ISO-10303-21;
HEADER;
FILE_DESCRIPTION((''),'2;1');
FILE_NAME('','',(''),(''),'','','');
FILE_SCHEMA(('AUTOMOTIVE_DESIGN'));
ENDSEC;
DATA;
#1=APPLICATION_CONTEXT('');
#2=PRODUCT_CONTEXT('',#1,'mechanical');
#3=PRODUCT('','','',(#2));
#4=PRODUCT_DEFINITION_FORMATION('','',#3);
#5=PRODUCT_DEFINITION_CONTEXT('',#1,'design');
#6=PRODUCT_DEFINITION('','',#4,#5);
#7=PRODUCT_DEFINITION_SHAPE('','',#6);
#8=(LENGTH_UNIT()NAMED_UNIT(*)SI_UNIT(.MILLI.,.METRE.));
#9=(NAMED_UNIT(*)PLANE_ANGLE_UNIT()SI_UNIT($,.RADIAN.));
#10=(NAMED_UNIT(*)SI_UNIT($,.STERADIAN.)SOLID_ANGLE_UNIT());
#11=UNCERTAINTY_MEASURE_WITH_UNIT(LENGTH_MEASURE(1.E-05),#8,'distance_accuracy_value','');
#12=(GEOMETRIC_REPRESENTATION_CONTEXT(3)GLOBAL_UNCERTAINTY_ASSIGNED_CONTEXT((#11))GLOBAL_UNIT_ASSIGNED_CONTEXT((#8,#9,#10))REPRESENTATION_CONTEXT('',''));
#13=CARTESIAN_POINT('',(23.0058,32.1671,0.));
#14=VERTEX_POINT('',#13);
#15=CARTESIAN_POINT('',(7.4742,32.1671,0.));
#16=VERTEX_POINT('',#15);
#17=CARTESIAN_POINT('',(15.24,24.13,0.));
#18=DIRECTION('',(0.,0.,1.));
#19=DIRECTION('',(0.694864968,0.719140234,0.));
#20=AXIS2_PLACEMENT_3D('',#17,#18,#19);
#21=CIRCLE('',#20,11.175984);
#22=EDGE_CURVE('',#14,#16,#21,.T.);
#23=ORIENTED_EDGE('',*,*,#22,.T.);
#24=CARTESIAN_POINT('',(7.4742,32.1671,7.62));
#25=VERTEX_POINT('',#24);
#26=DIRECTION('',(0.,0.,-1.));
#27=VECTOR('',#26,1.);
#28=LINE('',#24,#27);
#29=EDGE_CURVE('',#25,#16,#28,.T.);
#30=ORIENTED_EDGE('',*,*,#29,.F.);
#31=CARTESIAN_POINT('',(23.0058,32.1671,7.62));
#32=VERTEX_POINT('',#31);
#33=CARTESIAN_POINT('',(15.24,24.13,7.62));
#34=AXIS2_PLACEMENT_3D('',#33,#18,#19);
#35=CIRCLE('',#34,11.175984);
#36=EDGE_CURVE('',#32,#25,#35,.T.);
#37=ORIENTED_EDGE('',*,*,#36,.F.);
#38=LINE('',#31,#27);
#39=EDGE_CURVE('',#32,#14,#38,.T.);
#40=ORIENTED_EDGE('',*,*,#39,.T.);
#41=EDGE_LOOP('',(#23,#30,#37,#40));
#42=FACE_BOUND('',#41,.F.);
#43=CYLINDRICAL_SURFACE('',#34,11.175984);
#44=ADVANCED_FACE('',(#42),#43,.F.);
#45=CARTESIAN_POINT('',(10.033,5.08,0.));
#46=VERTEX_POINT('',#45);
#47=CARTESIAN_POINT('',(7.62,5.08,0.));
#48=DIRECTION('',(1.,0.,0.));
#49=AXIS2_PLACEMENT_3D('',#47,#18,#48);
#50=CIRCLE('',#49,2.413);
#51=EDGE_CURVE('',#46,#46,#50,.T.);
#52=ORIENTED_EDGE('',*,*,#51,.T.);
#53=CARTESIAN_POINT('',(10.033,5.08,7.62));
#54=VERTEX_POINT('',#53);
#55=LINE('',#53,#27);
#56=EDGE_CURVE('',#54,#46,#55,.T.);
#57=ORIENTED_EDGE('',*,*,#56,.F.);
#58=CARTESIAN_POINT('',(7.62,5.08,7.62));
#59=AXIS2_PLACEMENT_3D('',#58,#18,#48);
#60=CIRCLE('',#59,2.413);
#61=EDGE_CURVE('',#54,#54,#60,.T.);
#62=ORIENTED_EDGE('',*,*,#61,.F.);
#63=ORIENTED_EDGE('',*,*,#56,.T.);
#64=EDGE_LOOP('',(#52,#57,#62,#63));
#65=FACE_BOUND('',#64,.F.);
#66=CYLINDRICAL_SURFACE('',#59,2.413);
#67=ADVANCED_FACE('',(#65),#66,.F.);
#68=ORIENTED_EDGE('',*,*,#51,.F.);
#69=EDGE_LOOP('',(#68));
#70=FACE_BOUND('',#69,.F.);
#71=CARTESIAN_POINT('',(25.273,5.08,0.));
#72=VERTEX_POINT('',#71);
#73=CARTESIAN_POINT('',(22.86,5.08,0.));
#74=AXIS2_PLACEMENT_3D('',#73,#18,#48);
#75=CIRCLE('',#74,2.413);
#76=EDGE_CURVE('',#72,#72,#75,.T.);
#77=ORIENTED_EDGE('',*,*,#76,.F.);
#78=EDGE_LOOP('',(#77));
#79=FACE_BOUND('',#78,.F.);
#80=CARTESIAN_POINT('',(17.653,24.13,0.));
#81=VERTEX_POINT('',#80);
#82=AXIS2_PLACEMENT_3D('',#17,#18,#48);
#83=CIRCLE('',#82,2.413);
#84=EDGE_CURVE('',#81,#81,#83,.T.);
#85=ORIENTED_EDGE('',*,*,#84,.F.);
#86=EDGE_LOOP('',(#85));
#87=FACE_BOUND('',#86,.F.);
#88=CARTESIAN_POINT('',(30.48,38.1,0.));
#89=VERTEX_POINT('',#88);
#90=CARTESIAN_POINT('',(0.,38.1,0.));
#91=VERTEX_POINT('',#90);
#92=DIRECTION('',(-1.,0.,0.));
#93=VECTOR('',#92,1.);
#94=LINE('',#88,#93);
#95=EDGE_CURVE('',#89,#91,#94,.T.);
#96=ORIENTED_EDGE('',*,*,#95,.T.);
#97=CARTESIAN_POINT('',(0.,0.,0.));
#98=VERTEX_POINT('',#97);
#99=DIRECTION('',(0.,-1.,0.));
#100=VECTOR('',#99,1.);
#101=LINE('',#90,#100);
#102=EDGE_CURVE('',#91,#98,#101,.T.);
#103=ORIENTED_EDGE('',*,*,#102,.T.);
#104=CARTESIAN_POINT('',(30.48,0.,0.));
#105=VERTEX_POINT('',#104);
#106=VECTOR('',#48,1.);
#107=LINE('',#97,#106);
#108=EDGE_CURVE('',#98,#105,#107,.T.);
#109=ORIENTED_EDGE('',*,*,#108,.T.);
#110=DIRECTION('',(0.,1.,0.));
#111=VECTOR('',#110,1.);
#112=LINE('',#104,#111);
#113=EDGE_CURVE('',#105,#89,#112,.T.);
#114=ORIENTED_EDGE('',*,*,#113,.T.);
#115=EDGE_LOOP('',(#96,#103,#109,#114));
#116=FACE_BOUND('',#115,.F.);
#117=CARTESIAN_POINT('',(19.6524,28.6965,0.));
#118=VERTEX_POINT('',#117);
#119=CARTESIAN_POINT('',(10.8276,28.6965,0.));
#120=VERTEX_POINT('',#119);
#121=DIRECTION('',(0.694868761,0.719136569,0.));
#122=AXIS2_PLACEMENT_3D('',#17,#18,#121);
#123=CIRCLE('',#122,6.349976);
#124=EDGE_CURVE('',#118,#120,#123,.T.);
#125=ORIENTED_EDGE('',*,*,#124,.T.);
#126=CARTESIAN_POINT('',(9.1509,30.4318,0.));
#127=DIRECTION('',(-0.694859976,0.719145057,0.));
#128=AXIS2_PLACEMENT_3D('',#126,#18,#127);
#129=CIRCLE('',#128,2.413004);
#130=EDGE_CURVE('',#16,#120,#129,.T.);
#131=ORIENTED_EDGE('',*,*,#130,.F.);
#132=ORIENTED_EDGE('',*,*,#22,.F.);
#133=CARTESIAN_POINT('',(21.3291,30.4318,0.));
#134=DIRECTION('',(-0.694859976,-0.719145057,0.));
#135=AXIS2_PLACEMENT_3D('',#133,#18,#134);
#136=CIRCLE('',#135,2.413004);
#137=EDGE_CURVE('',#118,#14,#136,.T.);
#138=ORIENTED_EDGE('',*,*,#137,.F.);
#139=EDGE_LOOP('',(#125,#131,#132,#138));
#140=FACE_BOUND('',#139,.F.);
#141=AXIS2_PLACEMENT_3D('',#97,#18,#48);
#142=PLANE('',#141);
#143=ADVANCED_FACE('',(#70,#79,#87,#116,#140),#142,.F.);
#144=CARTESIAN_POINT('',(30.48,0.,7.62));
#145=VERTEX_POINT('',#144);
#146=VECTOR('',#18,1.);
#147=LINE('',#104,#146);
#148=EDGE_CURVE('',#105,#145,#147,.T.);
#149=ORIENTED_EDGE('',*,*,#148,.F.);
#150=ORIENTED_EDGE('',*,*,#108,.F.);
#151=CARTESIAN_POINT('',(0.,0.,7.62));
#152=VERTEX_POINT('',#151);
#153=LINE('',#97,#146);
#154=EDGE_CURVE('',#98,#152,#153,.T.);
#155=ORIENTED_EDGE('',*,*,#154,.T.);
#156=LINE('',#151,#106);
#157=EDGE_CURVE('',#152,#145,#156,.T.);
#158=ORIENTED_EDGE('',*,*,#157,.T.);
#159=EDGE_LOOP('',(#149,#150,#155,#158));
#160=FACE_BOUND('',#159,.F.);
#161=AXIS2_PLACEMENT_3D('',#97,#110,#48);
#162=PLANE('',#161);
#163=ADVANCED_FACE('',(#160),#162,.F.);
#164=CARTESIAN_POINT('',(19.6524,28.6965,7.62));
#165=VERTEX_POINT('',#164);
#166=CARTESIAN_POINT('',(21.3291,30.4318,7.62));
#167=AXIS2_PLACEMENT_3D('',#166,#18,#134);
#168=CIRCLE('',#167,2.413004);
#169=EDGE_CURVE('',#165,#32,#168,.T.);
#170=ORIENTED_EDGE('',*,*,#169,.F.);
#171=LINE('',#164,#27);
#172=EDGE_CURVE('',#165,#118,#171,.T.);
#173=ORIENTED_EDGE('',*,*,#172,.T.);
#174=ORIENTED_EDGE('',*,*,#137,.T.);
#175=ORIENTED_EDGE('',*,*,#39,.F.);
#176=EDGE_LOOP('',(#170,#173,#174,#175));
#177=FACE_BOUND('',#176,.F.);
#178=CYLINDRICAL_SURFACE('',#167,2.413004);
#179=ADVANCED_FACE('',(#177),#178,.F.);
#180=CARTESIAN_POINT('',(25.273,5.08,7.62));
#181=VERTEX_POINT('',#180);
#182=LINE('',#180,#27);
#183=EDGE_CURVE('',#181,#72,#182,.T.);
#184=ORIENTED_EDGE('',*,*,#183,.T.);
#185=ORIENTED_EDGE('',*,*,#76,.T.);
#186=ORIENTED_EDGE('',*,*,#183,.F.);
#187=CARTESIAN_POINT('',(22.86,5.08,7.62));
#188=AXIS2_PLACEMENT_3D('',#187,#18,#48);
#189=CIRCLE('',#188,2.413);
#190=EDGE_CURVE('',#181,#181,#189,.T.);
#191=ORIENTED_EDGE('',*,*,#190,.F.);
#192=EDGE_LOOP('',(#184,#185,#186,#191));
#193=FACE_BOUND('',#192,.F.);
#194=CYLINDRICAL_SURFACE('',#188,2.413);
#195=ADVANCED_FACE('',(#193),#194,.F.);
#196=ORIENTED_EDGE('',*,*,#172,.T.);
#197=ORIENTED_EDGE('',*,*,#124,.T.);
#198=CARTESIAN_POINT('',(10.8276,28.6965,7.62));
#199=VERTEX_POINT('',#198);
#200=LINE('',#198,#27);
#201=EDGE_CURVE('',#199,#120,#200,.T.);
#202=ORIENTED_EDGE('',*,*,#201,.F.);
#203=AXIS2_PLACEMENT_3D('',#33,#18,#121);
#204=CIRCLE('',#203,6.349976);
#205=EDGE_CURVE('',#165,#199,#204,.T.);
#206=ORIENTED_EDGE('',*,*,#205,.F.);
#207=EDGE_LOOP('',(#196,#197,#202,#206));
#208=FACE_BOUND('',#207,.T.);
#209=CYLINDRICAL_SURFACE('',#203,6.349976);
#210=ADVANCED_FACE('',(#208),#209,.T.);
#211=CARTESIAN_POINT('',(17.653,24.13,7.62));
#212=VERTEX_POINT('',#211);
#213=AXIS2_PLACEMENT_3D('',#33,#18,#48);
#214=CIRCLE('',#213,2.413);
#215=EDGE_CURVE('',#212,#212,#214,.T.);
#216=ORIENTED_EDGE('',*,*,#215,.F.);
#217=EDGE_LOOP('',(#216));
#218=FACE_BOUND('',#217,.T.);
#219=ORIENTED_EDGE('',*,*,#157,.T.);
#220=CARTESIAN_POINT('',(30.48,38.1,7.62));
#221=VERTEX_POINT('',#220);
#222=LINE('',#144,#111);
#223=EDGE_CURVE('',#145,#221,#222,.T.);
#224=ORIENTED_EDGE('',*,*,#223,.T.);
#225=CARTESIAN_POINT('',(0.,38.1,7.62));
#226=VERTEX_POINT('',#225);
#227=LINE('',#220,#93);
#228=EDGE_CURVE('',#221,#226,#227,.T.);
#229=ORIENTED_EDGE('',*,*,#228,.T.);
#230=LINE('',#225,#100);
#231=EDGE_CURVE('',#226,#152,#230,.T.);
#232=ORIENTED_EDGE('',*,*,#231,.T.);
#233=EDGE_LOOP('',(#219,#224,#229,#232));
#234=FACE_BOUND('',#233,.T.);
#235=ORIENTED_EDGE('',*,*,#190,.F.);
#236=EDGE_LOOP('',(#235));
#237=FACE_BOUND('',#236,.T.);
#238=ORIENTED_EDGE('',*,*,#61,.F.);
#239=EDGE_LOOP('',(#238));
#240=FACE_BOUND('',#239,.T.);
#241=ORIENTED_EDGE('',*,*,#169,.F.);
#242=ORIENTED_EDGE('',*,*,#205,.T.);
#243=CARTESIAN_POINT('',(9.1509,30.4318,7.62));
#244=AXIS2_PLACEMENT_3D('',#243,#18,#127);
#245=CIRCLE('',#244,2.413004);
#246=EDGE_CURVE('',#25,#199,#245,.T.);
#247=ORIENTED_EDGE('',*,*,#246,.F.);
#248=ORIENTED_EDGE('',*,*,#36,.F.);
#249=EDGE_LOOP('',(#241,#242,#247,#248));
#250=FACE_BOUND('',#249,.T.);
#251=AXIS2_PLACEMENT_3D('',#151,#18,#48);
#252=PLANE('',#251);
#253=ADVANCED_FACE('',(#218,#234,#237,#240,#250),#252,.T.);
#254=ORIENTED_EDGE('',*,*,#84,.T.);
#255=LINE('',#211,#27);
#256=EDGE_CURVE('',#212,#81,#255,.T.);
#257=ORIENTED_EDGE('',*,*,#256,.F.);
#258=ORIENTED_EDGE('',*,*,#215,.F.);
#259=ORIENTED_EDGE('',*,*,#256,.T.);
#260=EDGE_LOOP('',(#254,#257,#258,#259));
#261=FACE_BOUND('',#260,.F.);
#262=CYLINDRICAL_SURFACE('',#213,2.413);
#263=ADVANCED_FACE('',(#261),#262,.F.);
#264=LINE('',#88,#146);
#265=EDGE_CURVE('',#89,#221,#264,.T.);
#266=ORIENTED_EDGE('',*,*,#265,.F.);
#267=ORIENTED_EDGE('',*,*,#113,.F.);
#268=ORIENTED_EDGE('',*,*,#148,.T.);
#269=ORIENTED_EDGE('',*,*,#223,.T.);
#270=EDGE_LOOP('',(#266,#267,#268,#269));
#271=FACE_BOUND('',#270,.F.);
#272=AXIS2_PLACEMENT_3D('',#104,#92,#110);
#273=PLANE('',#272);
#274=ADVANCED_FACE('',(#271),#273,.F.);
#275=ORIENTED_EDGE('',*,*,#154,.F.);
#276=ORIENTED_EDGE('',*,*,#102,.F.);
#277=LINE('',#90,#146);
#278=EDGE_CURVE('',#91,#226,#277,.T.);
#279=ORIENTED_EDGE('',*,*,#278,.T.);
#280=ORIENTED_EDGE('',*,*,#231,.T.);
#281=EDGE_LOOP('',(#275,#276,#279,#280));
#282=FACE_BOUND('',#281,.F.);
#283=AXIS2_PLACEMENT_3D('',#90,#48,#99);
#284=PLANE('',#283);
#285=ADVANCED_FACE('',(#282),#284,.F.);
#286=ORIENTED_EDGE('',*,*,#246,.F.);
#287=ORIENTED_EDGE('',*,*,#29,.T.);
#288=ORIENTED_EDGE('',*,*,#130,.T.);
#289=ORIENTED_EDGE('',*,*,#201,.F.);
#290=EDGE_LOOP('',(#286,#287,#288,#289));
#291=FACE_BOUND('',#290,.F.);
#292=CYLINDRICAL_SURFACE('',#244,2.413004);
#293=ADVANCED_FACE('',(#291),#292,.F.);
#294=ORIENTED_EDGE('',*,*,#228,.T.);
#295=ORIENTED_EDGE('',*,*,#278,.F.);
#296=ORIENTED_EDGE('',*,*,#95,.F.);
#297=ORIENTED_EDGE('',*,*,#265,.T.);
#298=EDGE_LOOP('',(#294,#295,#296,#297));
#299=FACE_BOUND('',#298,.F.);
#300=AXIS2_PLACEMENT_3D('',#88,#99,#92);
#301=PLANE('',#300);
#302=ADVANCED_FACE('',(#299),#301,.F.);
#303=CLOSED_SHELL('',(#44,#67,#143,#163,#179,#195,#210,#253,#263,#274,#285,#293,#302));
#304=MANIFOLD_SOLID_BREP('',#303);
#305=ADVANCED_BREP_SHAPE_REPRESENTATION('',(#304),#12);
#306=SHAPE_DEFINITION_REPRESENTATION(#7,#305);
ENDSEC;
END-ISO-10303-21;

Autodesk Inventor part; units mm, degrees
ref_plane "YZ Plane" through (0, 0, 0) normal (1, 0, 0) x (0, 1, 0)
ref_plane "XZ Plane" through (0, 0, 0) normal (0, 1, 0) x (-1, 0, 0)
ref_plane "XY Plane" through (0, 0, 0) normal (0, 0, 1) x (1, 0, 0)
sketch "Sketch1" plane through (0, 0, 0) normal (0, 0, 1) x (1, 0, 0)
  line L0 (0, 0) -> (30.48, 0)
  line L1 (30.48, 0) -> (30.48, 38.1)
  line L2 (30.48, 38.1) -> (0, 38.1)
  line L3 (0, 38.1) -> (0, 0)
  dimension "d0" = 30.48
  dimension "d1" = 38.1
extrude "Extrusion1" add sketch "Sketch1" along normal blind 7.62
sketch "Sketch2" plane through (0, 0, 7.62) normal (0, 0, 1) x (1, 0, 0)
  line L0 (0, 0) -> (30.48, 0) projected
  line L1 (0, 38.1) -> (0, 0) projected
  line L2 (30.48, 0) -> (30.48, 38.1) projected
  line L3 (15.24, 0) -> (15.24, 5.08) construction
  line L4 (15.24, 5.08) -> (7.62, 5.08) construction
  circle A0 centre (7.62, 5.08) radius 2.413
  line L5 (15.24, 5.08) -> (22.86, 5.08) construction
  circle A1 centre (22.86, 5.08) radius 2.413
  dimension "d4" = 5.08
  dimension "d5" = 7.62
  dimension "d6" = 4.826
extrude "Extrusion2" cut sketch "Sketch2" against normal blind 7.62
sketch "Sketch3" plane through (0, 0, 7.62) normal (0, 0, 1) x (1, 0, 0)
  line L0 (0, 38.1) -> (0, 0) projected
  line L1 (30.48, 38.1) -> (0, 38.1) projected
  line L2 (30.48, 0) -> (30.48, 38.1) projected
  line L3 (15.24, 38.1) -> (15.24, 24.13) construction
  circle A0 centre (15.24, 24.13) radius 2.413
  dimension "d9" = 13.97
  dimension "d10" = 4.826
extrude "Extrusion3" cut sketch "Sketch3" against normal blind 7.62
sketch "Sketch4" plane through (0, 0, 7.62) normal (0, 0, 1) x (1, 0, 0)
  line L0 (0, 38.1) -> (0, 0) projected
  line L1 (30.48, 38.1) -> (0, 38.1) projected
  line L2 (30.48, 0) -> (30.48, 38.1) projected
  circle A0 centre (15.24, 24.13) radius 2.413 projected
  line L3 (15.24, 24.13) -> (15.24, 38.1) construction
  arc A1 (9.7407, 27.305) -> (19.6524, 28.6965) centre (15.24, 24.13) ccw construction
  arc A2 (5.5613, 29.718) -> (23.0058, 32.1671) centre (15.24, 24.13) ccw construction
  line L4 (15.24, 24.13) -> (9.7407, 27.305) construction
  line L5 (15.24, 24.13) -> (25.654, 24.13) construction
  line L6 (15.24, 24.13) -> (20.7393, 27.305) construction
  line L7 (15.24, 24.13) -> (25.654, 24.13) construction
  line L8 (9.7407, 27.305) -> (5.5613, 29.718) construction
  line L9 (20.7393, 27.305) -> (24.9187, 29.718) construction
  arc A3 (7.4742, 32.1671) -> (10.8276, 28.6965) centre (9.1509, 30.4318) ccw
  arc A4 (19.6524, 28.6965) -> (23.0058, 32.1671) centre (21.3291, 30.4318) ccw
  arc A5 (7.4742, 32.1671) -> (5.5613, 29.718) centre (15.24, 24.13) ccw construction
  arc A6 (10.8276, 28.6965) -> (9.7407, 27.305) centre (15.24, 24.13) ccw construction
  arc A7 (19.6524, 28.6965) -> (10.8276, 28.6965) centre (15.24, 24.13) ccw
  arc A8 (23.0058, 32.1671) -> (7.4742, 32.1671) centre (15.24, 24.13) ccw
  arc A9 (23.0058, 32.1671) -> (19.6524, 28.6965) centre (21.3291, 30.4318) ccw construction
  arc A10 (10.8276, 28.6965) -> (7.4742, 32.1671) centre (9.1509, 30.4318) ccw construction
  dimension "d13" = 12.7
  dimension "d14" = 22.352
  dimension "d15" = 150
  dimension "d16" = 30
  dimension "d17" = 4.826
  dimension "d18" = 4.826
extrude "Extrusion4" cut sketch "Sketch4" against normal through all contours A8 A4 A7 A3
properties part number "arm_camera_adapter"
